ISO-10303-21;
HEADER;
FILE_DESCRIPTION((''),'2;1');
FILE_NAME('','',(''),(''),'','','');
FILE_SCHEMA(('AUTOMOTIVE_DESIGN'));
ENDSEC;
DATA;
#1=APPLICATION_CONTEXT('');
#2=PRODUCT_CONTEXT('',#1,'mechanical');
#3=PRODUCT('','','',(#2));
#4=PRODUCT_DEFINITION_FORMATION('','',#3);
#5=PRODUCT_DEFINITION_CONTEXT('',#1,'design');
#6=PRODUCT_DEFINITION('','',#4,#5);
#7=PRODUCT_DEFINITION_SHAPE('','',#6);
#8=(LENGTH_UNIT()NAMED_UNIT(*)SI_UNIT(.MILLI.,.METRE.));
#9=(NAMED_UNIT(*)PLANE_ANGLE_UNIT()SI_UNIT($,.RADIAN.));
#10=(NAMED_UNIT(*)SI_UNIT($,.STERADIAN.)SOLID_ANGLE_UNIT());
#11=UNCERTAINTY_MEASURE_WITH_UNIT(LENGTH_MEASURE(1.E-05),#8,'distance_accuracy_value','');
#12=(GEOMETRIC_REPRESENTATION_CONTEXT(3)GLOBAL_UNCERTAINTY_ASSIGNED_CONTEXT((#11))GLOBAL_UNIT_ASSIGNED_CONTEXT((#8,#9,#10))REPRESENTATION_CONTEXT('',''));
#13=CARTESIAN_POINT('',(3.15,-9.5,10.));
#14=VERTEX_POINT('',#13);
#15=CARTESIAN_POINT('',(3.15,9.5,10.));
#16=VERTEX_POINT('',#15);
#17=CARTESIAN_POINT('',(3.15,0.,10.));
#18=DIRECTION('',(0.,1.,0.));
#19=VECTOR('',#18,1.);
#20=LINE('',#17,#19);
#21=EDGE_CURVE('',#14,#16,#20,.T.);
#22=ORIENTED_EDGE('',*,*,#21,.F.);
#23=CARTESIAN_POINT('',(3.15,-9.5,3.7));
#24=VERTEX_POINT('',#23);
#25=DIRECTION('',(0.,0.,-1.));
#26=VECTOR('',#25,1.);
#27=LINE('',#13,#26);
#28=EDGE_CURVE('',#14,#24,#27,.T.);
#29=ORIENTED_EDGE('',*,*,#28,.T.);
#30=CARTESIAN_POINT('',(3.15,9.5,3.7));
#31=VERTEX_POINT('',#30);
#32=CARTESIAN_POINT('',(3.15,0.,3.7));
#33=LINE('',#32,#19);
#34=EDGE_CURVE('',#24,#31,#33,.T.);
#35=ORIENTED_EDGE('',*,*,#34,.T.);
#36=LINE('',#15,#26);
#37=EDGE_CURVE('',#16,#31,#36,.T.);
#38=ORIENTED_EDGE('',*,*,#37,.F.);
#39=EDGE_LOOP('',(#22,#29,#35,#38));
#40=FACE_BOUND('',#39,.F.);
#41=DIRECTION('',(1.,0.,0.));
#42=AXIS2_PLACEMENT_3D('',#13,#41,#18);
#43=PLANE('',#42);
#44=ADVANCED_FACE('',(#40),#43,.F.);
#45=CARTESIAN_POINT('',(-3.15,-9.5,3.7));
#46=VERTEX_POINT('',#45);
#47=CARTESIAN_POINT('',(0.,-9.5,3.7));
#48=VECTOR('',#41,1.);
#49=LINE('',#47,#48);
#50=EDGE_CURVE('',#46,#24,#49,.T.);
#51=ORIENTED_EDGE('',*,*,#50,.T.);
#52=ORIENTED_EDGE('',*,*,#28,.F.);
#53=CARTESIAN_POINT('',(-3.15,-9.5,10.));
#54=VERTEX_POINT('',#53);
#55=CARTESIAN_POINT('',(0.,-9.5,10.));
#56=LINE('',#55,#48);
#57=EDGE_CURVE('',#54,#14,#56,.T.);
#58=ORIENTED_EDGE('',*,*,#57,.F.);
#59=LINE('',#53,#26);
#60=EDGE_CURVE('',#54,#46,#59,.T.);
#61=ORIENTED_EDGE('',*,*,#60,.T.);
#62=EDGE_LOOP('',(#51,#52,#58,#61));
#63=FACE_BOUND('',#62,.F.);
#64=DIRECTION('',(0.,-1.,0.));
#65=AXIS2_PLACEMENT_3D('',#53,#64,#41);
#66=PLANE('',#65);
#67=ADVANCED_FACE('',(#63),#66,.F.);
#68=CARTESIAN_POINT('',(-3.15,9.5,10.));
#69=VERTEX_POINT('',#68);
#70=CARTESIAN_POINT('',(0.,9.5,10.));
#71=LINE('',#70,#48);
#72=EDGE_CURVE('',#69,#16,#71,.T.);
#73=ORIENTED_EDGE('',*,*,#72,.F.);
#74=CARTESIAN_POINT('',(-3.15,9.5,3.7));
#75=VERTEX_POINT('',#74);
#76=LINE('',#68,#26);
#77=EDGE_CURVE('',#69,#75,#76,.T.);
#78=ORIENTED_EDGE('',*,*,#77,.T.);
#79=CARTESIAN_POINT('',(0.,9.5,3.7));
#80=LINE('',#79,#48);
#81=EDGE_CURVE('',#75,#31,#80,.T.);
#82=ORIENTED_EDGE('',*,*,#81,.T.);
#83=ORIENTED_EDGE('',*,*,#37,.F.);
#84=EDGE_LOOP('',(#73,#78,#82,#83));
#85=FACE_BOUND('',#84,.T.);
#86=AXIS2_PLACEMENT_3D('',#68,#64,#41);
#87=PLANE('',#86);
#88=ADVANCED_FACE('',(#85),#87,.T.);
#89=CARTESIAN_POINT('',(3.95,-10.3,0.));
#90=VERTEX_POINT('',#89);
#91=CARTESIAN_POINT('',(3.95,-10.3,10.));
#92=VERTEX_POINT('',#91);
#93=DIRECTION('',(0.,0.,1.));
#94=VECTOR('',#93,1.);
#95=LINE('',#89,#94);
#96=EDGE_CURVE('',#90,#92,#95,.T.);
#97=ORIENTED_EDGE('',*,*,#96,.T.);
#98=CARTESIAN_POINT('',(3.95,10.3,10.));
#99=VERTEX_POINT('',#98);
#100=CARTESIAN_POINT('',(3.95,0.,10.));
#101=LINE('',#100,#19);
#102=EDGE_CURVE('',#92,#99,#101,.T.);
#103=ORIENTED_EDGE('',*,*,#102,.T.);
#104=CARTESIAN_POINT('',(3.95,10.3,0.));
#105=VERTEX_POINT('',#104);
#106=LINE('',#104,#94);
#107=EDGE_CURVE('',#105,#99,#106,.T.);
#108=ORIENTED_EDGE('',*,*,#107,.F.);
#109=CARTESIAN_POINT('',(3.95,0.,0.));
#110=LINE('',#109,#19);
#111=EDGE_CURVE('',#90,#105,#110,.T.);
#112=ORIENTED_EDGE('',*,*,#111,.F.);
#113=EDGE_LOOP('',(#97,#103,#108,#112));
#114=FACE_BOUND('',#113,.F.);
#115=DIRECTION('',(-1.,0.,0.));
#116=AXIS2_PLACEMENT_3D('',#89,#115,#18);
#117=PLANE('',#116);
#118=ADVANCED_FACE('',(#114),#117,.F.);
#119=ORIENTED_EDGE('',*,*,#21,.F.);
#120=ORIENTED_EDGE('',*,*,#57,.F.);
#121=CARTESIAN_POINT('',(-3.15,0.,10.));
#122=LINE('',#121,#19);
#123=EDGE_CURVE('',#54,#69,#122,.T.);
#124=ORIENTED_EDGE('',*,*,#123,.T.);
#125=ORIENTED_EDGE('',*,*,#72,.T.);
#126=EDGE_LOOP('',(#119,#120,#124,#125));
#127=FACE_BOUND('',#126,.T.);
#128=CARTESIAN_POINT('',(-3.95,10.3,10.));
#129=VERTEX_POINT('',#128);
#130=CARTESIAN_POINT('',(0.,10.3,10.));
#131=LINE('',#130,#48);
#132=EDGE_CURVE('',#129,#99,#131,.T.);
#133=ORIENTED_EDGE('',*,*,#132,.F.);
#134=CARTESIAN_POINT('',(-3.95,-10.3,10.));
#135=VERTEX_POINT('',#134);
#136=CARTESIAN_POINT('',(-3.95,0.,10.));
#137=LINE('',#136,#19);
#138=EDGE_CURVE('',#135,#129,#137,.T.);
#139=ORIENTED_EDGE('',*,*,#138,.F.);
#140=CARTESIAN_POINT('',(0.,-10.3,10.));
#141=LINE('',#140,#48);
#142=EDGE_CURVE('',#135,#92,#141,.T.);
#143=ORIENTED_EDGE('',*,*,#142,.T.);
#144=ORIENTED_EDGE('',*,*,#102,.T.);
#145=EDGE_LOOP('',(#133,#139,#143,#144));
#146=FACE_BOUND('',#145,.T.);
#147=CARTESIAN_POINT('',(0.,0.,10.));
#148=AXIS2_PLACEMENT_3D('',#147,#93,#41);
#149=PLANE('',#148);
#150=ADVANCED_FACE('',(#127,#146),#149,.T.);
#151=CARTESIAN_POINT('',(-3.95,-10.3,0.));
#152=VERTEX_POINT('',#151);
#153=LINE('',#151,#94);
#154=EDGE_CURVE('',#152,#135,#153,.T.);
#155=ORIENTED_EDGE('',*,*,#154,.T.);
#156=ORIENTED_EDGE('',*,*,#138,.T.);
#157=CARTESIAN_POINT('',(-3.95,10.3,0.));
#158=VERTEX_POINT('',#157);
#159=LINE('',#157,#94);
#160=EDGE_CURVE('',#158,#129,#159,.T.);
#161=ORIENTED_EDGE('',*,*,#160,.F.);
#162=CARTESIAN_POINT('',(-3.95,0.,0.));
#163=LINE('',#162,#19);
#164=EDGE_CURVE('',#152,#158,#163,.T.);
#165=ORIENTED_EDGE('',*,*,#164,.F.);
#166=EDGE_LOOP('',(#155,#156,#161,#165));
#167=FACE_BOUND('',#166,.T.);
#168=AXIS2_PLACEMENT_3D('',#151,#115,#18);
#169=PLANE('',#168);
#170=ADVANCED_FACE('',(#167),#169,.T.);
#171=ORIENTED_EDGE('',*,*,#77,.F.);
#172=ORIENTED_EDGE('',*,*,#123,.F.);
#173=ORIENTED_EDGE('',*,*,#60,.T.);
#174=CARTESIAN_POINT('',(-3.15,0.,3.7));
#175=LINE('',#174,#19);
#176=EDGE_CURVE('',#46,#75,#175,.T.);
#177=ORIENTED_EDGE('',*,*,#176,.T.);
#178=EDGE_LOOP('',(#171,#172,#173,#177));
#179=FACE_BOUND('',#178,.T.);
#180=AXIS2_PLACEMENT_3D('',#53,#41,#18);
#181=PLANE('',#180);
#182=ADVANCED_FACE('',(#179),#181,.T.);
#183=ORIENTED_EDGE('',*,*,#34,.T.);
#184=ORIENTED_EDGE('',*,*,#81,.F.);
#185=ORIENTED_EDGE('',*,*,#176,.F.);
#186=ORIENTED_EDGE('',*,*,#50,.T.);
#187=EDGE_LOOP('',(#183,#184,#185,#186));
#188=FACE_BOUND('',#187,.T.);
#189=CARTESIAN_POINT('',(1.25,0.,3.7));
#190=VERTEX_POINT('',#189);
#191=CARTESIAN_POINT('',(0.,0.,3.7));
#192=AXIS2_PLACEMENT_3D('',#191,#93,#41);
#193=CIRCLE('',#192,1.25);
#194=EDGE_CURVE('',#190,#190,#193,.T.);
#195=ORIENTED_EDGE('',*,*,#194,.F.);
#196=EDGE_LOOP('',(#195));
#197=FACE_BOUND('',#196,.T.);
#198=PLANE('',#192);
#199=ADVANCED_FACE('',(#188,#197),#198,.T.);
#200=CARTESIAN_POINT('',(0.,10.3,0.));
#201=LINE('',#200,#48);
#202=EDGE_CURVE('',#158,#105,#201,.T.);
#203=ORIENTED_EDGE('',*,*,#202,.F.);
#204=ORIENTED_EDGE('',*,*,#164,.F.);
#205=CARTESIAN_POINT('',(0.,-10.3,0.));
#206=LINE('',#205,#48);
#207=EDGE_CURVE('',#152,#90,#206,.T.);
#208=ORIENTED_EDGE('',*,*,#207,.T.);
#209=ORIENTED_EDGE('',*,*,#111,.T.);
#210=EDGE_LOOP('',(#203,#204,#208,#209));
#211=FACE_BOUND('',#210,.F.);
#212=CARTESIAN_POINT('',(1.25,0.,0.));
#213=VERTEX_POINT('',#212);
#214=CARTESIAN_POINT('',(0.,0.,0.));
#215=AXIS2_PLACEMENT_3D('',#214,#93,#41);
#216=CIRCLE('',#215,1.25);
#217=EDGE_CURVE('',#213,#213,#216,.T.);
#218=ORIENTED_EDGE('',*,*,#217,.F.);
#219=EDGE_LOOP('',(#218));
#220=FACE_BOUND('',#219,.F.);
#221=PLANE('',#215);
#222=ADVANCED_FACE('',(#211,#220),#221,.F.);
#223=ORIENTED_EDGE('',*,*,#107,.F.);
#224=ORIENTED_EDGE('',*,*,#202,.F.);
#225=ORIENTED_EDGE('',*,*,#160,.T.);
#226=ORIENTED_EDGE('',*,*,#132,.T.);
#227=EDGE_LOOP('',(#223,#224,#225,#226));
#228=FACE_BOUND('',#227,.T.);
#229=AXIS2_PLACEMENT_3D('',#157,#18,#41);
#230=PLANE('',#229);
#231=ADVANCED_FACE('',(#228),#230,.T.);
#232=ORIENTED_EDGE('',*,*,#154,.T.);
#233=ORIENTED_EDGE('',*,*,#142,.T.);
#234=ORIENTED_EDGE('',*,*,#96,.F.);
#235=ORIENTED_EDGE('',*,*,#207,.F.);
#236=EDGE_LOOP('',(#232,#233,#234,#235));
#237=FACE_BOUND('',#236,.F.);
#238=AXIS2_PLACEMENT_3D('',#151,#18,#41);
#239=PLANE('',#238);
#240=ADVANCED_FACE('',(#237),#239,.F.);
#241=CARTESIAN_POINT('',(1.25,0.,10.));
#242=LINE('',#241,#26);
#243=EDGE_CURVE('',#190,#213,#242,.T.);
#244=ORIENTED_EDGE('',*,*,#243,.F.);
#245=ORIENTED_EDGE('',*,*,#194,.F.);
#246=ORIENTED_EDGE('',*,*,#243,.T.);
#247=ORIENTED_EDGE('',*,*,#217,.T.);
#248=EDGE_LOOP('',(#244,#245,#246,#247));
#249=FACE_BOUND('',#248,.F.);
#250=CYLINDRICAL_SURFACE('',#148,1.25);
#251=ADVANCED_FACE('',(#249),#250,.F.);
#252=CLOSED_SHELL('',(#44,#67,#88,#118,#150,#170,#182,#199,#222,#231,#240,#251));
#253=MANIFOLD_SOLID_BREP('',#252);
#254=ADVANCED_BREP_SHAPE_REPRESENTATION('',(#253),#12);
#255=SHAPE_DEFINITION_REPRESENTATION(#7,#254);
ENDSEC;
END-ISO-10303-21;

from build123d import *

# Parameters (mm, degrees)
SKETCH_W        = 7.9
SKETCH_H        = 20.6
PAD_DEPTH       = 10
SKETCH001_W     = 6.3
SKETCH001_H     = 19
POCKET_DEPTH    = 6.3
SKETCH003_R     = 1.25
POCKET001_DEPTH = 10


with BuildPart() as part:
    # Sketch → Pad (new body)
    with BuildSketch(Plane.XY):
        Rectangle(SKETCH_W, SKETCH_H)
    extrude(amount=PAD_DEPTH)

    # Sketch001 (on Face6 of Pad) → Pocket (cut)
    with BuildSketch(Plane.XY.offset(10)):
        Rectangle(SKETCH001_W, SKETCH001_H)
    extrude(amount=-POCKET_DEPTH, mode=Mode.SUBTRACT)

    # Sketch003 (on Face5 of Pocket) → Pocket001 (cut)
    with BuildSketch(Plane.XY.offset(10)):
        Circle(SKETCH003_R)
    extrude(amount=-POCKET001_DEPTH, mode=Mode.SUBTRACT)


solid = part.part
